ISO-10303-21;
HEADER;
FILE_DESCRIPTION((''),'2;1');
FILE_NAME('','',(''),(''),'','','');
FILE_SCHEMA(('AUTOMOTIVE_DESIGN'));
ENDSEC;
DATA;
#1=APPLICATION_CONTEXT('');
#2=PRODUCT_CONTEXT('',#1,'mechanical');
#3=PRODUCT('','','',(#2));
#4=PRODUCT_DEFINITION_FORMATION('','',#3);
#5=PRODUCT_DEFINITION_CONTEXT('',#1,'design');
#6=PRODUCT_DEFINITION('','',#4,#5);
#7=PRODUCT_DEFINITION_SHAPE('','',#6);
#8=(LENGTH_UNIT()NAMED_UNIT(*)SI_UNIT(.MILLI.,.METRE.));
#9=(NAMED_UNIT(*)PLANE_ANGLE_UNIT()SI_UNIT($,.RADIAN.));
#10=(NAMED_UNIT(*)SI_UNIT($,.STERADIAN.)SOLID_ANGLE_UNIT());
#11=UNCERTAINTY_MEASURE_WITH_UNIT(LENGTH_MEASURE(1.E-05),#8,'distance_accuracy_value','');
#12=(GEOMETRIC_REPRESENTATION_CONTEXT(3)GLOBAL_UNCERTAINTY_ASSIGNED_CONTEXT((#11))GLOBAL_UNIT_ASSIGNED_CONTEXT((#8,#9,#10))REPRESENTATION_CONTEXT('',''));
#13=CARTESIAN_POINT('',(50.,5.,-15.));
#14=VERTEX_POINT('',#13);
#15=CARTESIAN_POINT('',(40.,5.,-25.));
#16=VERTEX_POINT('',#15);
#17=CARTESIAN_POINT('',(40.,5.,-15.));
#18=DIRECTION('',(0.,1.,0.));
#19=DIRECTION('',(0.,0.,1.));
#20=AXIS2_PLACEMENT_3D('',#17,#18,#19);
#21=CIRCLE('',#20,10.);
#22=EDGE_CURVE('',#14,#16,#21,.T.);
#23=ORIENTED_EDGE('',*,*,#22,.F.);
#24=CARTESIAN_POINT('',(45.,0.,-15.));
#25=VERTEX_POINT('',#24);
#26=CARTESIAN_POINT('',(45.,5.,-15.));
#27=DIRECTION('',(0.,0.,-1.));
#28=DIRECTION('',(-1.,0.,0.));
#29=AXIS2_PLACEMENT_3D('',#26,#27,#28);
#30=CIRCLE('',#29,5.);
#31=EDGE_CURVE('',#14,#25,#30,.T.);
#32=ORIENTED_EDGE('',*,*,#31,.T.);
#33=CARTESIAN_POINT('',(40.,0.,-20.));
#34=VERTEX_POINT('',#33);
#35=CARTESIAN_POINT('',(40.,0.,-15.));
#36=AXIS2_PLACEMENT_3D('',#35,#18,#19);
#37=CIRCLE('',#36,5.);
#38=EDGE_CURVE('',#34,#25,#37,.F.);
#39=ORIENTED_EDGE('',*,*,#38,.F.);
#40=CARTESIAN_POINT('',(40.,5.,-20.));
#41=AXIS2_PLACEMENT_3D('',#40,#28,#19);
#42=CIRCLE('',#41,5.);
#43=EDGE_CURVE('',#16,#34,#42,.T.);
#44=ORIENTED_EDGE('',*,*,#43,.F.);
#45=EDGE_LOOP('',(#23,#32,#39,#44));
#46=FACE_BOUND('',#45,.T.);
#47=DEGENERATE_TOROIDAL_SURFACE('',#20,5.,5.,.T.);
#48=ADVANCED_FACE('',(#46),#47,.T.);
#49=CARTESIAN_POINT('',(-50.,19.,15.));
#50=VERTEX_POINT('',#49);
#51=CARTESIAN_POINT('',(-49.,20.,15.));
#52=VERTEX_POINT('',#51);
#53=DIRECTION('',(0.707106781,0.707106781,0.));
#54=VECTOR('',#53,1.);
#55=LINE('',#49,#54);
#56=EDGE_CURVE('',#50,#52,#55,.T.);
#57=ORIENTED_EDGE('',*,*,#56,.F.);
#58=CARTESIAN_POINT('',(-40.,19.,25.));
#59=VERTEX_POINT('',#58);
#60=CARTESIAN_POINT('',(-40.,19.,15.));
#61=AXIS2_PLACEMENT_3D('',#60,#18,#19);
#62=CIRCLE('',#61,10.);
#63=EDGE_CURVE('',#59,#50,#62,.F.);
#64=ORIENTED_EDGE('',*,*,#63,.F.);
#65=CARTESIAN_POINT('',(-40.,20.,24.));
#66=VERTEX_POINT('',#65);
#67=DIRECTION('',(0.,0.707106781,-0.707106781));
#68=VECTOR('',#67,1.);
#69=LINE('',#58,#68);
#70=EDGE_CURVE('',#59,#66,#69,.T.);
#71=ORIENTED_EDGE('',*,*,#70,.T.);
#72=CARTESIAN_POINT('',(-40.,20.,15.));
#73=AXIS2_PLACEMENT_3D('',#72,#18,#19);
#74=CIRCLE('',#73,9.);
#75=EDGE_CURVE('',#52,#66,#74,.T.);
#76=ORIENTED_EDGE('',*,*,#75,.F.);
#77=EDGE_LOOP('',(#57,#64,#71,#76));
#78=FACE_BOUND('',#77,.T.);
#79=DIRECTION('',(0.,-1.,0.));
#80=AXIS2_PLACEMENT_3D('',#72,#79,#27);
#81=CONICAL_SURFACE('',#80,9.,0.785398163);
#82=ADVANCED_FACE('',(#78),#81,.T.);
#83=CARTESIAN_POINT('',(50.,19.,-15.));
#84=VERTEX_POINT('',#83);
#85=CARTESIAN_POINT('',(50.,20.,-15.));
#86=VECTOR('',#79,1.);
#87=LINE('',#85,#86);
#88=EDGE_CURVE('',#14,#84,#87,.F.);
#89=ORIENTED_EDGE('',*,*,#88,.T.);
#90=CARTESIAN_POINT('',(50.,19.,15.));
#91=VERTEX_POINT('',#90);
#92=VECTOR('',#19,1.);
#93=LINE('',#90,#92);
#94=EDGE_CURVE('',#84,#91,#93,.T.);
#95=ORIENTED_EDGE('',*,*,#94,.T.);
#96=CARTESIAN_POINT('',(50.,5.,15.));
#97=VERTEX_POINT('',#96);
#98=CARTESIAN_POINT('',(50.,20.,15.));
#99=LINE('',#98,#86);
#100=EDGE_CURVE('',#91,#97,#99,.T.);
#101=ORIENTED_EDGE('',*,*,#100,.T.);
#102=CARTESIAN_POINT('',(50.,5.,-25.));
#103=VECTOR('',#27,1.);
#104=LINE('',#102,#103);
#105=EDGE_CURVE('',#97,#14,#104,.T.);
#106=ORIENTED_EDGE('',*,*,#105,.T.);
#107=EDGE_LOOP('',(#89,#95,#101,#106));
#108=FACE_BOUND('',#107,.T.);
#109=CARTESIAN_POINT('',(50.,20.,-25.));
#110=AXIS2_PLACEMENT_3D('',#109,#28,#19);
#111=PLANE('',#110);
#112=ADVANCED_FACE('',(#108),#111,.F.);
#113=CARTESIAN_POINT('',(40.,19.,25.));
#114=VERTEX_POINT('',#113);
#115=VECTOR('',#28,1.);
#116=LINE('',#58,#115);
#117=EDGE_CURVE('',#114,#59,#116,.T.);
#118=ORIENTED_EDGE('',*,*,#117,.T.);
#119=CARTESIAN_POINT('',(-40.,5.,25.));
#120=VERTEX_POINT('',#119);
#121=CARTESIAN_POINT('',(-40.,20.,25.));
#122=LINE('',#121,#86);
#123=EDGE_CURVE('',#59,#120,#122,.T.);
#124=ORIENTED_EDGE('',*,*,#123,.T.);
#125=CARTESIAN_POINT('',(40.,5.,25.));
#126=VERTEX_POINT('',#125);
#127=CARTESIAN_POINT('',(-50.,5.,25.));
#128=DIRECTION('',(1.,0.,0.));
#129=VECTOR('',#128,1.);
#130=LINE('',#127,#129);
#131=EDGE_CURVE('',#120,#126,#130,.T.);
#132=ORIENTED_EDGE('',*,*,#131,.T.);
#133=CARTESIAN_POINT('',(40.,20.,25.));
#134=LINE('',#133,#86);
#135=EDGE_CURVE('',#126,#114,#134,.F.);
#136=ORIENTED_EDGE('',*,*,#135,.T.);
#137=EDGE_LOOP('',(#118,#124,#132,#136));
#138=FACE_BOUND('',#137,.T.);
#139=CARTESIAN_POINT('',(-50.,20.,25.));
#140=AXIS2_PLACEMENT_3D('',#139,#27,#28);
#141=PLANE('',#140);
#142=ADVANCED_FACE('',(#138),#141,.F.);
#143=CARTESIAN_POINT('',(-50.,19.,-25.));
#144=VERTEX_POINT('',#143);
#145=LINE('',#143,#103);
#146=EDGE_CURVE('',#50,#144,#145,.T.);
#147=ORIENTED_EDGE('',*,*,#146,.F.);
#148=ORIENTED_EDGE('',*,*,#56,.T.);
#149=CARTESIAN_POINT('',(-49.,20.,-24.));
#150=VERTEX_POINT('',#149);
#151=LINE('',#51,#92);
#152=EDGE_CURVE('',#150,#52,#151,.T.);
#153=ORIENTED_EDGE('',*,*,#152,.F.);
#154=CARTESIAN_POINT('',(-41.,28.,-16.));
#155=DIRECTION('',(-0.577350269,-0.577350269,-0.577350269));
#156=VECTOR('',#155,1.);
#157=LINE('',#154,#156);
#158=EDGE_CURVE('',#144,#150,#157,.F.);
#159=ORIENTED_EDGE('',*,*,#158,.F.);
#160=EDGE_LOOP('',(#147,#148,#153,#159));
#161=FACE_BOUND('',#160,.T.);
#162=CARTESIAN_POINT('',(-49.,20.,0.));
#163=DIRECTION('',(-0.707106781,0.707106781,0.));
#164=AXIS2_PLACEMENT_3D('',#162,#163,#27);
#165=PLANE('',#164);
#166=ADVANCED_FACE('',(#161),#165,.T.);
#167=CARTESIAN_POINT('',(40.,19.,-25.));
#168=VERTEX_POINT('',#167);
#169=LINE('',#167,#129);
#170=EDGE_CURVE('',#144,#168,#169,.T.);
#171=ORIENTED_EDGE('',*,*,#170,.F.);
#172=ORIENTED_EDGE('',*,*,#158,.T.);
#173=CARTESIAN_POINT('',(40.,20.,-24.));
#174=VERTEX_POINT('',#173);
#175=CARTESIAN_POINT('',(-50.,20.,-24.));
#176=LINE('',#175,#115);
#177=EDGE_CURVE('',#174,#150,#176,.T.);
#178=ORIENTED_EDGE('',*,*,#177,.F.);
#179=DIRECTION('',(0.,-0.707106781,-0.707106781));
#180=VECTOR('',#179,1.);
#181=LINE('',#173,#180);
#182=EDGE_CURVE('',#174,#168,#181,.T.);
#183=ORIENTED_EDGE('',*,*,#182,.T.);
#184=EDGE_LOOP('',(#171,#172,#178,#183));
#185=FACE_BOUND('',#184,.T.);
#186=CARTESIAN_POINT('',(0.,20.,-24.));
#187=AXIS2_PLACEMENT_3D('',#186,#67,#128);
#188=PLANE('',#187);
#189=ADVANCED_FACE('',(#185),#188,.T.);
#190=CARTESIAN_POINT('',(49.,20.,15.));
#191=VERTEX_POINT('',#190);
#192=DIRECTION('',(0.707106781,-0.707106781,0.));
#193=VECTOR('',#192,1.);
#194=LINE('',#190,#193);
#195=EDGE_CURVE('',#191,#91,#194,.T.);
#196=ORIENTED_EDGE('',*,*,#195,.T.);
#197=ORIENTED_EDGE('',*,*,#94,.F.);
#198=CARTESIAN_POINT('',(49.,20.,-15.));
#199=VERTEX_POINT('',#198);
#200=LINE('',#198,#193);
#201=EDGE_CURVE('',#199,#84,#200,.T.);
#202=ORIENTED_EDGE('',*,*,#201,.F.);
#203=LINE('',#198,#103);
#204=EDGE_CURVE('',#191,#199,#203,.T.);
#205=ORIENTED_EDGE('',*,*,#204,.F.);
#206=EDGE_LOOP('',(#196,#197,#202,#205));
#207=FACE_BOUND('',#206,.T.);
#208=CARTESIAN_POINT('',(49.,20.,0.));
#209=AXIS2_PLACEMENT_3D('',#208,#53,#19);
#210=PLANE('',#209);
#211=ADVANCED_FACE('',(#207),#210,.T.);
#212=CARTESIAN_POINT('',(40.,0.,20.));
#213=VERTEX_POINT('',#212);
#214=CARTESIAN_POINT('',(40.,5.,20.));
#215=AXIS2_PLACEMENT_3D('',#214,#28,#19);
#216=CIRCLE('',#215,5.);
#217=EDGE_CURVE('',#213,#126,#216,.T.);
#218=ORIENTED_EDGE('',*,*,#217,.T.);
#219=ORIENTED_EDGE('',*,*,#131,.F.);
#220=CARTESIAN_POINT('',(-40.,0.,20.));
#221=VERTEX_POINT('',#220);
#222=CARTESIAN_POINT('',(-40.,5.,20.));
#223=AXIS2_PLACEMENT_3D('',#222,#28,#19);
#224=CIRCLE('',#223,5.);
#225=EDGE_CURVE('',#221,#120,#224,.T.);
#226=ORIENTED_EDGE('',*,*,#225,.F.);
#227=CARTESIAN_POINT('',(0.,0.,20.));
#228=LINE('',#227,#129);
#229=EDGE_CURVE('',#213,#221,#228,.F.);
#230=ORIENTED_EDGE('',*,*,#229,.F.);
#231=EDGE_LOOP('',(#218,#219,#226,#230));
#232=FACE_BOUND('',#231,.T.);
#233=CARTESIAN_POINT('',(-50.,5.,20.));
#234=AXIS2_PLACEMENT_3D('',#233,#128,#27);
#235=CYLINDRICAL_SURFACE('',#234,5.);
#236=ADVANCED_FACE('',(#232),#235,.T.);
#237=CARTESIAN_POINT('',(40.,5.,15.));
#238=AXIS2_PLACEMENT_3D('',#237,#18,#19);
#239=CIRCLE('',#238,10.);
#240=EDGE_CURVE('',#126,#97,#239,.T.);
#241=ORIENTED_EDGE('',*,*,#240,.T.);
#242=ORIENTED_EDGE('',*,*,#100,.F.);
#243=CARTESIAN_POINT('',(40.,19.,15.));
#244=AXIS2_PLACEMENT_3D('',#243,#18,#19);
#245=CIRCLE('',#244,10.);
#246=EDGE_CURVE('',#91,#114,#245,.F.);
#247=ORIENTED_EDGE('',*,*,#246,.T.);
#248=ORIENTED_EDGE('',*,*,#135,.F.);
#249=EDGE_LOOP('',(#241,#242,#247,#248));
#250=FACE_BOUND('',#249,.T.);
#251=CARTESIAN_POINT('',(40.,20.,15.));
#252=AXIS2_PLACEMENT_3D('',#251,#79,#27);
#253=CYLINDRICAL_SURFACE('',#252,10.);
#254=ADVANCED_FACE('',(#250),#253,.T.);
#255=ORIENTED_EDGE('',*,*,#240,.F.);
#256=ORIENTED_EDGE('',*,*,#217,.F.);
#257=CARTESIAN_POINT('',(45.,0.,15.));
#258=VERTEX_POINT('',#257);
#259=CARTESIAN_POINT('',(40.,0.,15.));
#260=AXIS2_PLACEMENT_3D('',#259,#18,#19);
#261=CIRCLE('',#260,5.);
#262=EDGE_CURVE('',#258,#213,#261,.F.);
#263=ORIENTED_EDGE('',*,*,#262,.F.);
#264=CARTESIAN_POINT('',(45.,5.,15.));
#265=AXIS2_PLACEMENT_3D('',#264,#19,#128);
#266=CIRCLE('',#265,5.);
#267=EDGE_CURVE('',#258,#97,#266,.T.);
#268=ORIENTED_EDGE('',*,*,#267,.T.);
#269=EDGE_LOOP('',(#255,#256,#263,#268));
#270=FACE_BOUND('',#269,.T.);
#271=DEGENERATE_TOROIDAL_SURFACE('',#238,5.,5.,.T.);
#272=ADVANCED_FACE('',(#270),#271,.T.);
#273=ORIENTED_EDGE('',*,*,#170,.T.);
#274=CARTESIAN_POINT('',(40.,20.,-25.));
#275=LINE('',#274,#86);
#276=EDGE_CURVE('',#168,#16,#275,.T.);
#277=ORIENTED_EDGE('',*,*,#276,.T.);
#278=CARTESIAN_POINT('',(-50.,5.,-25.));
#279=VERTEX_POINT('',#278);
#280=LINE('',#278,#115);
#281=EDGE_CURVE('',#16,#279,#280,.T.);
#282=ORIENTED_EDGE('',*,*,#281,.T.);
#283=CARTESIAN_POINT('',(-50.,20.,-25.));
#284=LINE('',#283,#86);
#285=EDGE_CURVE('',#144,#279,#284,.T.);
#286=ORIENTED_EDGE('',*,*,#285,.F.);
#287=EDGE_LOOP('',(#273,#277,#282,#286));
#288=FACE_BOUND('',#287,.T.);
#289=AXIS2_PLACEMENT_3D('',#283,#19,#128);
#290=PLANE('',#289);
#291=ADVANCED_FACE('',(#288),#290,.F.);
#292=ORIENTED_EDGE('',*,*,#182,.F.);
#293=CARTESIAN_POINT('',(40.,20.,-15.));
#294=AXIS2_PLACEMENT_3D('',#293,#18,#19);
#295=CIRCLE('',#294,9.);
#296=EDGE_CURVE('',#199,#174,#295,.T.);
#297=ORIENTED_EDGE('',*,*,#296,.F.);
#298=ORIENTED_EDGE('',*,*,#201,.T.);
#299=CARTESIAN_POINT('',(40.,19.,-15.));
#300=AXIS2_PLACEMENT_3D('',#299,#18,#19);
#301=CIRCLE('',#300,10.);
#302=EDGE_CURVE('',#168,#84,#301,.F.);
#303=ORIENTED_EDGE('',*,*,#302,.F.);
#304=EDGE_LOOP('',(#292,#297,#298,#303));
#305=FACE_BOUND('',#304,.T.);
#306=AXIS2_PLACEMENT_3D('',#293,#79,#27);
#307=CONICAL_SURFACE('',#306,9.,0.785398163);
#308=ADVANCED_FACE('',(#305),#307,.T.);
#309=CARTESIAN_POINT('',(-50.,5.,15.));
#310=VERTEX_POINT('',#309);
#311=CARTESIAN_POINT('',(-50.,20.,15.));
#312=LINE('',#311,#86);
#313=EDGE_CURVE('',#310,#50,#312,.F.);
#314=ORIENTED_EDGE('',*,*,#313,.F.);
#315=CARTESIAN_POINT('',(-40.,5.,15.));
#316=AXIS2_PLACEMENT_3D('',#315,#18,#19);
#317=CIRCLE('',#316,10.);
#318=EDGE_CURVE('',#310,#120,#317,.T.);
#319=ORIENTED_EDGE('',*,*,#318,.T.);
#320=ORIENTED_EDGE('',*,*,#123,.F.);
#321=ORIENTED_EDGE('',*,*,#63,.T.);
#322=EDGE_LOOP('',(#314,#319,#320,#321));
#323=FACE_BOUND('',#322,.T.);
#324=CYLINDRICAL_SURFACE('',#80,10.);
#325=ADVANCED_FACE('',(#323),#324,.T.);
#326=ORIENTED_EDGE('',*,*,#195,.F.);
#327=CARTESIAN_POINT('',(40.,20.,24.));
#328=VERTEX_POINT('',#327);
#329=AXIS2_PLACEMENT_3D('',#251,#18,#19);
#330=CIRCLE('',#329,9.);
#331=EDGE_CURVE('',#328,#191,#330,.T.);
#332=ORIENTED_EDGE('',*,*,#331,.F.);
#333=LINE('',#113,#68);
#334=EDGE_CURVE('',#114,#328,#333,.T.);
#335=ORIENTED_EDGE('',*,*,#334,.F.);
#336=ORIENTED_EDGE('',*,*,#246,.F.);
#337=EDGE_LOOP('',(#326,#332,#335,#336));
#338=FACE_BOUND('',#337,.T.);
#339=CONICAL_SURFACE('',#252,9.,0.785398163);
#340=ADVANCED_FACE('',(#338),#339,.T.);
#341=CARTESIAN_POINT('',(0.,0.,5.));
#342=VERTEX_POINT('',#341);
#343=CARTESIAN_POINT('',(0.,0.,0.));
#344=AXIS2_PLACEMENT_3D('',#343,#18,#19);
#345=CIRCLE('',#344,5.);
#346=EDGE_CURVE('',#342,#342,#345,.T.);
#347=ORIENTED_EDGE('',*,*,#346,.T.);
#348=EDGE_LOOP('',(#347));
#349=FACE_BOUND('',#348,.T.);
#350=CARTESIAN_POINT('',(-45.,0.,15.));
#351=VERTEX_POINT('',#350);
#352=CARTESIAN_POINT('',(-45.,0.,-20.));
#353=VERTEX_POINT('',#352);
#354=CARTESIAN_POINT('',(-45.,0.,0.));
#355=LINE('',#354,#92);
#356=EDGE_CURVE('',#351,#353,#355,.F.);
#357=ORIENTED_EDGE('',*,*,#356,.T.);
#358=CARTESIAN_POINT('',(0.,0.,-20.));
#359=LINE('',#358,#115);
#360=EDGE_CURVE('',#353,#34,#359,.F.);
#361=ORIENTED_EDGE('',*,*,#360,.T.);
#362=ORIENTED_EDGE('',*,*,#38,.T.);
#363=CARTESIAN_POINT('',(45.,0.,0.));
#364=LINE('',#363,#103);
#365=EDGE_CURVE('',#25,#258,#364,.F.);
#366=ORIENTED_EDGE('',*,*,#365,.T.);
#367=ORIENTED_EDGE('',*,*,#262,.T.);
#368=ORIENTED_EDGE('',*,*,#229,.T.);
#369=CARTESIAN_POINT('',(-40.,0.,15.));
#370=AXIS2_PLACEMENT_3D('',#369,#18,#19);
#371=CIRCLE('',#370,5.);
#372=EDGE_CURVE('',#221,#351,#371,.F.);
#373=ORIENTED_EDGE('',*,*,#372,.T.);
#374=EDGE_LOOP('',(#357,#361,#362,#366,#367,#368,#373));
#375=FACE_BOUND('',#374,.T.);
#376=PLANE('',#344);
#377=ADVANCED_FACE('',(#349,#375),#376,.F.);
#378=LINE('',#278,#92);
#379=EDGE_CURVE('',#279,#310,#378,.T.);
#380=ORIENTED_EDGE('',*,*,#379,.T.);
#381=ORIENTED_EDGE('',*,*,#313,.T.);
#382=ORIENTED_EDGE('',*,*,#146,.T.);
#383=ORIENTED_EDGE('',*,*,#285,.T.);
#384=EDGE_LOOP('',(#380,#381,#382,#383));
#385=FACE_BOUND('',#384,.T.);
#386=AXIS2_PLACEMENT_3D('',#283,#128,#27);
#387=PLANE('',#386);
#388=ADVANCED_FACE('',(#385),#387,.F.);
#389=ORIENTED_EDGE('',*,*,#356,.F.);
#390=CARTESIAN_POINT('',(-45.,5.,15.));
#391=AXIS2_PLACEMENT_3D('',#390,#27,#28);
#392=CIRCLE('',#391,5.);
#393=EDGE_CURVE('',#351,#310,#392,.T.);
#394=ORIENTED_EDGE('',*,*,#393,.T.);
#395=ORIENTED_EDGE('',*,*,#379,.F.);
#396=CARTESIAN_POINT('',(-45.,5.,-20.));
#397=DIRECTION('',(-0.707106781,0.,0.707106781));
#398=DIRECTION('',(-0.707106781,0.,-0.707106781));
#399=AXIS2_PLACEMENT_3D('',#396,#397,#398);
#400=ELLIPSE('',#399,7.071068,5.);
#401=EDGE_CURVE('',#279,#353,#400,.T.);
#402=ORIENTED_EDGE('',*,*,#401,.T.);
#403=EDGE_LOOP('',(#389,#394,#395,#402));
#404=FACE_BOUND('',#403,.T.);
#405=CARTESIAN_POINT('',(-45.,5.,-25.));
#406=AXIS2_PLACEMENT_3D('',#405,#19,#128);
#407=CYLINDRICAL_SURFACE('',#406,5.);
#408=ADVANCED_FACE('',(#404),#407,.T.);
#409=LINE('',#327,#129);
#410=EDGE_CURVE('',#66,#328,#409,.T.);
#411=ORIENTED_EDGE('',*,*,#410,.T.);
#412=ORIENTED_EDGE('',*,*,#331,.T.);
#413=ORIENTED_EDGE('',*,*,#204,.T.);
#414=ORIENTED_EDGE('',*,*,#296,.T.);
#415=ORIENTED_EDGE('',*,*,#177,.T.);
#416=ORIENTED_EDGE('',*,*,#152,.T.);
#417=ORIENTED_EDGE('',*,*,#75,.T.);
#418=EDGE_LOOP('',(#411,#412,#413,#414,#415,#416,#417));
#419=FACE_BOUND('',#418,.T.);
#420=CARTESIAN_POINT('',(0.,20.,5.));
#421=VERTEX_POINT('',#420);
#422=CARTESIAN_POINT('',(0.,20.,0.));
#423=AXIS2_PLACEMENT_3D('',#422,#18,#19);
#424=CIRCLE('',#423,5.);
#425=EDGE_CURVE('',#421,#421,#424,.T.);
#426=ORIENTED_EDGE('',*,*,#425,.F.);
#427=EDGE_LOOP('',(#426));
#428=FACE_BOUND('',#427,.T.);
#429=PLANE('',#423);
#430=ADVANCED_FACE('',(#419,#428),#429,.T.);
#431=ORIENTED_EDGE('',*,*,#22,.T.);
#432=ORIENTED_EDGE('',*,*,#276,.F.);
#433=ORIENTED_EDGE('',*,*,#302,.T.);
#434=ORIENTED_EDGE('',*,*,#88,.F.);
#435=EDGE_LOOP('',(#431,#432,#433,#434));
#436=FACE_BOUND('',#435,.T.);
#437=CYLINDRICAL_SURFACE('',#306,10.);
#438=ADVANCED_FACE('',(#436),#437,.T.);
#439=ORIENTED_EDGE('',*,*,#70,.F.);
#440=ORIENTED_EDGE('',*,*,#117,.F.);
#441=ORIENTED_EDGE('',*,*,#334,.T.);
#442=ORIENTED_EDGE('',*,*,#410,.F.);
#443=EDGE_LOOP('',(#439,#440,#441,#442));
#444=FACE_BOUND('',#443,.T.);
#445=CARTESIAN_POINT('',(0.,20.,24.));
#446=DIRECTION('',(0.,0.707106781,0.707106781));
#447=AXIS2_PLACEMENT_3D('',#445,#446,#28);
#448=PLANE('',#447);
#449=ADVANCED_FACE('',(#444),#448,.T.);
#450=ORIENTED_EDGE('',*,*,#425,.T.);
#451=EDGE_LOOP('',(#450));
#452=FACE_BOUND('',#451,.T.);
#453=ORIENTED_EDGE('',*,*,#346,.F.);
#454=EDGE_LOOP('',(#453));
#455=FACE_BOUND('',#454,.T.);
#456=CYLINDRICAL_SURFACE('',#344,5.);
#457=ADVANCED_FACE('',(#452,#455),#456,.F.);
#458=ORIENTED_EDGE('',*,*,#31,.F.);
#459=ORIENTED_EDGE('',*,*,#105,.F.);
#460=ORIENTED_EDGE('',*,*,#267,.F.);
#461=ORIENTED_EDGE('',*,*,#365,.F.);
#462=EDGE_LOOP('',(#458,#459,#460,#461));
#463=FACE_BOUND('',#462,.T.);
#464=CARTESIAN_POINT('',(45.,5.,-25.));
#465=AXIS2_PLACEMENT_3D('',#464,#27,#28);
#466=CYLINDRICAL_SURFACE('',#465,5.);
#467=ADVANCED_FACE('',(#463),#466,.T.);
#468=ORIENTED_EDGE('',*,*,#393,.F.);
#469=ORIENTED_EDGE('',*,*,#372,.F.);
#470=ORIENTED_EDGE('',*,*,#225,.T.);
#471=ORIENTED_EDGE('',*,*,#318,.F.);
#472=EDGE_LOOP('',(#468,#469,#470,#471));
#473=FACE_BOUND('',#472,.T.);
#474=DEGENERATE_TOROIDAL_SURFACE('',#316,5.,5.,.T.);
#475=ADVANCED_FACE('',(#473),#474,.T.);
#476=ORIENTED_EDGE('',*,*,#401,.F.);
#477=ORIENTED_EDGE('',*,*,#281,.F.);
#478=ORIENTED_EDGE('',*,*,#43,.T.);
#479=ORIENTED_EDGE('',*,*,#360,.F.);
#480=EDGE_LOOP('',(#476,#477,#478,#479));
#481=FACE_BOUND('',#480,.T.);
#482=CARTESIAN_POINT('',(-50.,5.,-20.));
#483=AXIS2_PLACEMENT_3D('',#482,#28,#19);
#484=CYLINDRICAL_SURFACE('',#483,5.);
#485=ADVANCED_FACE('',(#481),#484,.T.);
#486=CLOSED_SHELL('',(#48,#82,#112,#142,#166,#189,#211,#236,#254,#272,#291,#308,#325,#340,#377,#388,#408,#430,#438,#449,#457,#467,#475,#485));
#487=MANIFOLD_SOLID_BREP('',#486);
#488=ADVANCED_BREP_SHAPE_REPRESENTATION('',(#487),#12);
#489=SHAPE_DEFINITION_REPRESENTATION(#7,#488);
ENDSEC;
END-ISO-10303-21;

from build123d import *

# Parameters (mm, degrees)
SKETCH1_W           = 100
SKETCH1_H           = 50
BOSS_EXTRUDE1_DEPTH = 20
SKETCH2_R           = 15
CUT_EXTRUDE1_DEPTH  = 20
FILLET1_R           = 10
CHAMFER1_SIZE       = 1
MOVE_FACE1_BY       = 10
FILLET2_R           = 5


with BuildPart() as part:
    # Sketch1 → Boss-Extrude1 (new body)
    with BuildSketch(Plane(origin=(0, 0, 0), x_dir=(1, 0, 0), z_dir=(0, 1, 0))):
        Rectangle(SKETCH1_W, SKETCH1_H)
    extrude(amount=BOSS_EXTRUDE1_DEPTH)

    # Sketch2 → Cut-Extrude1 (cut)
    with BuildSketch(Plane(origin=(0, 20, 0), x_dir=(1, 0, 0), z_dir=(0, 1, 0))):
        with Locations(Location((0, 0, 0), (0, 0, 270))):
            Circle(SKETCH2_R)
    extrude(amount=-CUT_EXTRUDE1_DEPTH, mode=Mode.SUBTRACT)

    # Fillet1
    fillet1_edges = [part.edges().sort_by_distance(p)[0] for p in [
        (50, 10, 25),
        (-50, 10, 25),
        (50, 10, -25),
    ]]
    fillet(fillet1_edges, radius=FILLET1_R)

    # Chamfer1
    chamfer1_edges = [part.edges().sort_by_distance(p)[0] for p in [
        (-50, 20, -5),
        (-5, 20, -25),
        (50, 20, 0),
        (0, 20, 25),
        (-47.071067812, 20, 22.071067812),
        (47.071067812, 20, 22.071067812),
        (47.071067812, 20, -22.071067812),
    ]]
    chamfer(chamfer1_edges, length=CHAMFER1_SIZE)

    # Move Face1: a curved face moved outward by 10.0
    add(Solid.thicken(part.faces().sort_by_distance((0, 10, -15))[0], MOVE_FACE1_BY))

    # Fillet2
    fillet2_edges = [part.edges().sort_by_distance(p)[0] for p in [
        (-5, 0, -25),
        (50, 0, 0),
        (0, 0, 25),
        (-47.071067812, 0, 22.071067812),
        (47.071067812, 0, 22.071067812),
        (47.071067812, 0, -22.071067812),
        (-50, 0, -5),
    ]]
    fillet(fillet2_edges, radius=FILLET2_R)


solid = part.part
